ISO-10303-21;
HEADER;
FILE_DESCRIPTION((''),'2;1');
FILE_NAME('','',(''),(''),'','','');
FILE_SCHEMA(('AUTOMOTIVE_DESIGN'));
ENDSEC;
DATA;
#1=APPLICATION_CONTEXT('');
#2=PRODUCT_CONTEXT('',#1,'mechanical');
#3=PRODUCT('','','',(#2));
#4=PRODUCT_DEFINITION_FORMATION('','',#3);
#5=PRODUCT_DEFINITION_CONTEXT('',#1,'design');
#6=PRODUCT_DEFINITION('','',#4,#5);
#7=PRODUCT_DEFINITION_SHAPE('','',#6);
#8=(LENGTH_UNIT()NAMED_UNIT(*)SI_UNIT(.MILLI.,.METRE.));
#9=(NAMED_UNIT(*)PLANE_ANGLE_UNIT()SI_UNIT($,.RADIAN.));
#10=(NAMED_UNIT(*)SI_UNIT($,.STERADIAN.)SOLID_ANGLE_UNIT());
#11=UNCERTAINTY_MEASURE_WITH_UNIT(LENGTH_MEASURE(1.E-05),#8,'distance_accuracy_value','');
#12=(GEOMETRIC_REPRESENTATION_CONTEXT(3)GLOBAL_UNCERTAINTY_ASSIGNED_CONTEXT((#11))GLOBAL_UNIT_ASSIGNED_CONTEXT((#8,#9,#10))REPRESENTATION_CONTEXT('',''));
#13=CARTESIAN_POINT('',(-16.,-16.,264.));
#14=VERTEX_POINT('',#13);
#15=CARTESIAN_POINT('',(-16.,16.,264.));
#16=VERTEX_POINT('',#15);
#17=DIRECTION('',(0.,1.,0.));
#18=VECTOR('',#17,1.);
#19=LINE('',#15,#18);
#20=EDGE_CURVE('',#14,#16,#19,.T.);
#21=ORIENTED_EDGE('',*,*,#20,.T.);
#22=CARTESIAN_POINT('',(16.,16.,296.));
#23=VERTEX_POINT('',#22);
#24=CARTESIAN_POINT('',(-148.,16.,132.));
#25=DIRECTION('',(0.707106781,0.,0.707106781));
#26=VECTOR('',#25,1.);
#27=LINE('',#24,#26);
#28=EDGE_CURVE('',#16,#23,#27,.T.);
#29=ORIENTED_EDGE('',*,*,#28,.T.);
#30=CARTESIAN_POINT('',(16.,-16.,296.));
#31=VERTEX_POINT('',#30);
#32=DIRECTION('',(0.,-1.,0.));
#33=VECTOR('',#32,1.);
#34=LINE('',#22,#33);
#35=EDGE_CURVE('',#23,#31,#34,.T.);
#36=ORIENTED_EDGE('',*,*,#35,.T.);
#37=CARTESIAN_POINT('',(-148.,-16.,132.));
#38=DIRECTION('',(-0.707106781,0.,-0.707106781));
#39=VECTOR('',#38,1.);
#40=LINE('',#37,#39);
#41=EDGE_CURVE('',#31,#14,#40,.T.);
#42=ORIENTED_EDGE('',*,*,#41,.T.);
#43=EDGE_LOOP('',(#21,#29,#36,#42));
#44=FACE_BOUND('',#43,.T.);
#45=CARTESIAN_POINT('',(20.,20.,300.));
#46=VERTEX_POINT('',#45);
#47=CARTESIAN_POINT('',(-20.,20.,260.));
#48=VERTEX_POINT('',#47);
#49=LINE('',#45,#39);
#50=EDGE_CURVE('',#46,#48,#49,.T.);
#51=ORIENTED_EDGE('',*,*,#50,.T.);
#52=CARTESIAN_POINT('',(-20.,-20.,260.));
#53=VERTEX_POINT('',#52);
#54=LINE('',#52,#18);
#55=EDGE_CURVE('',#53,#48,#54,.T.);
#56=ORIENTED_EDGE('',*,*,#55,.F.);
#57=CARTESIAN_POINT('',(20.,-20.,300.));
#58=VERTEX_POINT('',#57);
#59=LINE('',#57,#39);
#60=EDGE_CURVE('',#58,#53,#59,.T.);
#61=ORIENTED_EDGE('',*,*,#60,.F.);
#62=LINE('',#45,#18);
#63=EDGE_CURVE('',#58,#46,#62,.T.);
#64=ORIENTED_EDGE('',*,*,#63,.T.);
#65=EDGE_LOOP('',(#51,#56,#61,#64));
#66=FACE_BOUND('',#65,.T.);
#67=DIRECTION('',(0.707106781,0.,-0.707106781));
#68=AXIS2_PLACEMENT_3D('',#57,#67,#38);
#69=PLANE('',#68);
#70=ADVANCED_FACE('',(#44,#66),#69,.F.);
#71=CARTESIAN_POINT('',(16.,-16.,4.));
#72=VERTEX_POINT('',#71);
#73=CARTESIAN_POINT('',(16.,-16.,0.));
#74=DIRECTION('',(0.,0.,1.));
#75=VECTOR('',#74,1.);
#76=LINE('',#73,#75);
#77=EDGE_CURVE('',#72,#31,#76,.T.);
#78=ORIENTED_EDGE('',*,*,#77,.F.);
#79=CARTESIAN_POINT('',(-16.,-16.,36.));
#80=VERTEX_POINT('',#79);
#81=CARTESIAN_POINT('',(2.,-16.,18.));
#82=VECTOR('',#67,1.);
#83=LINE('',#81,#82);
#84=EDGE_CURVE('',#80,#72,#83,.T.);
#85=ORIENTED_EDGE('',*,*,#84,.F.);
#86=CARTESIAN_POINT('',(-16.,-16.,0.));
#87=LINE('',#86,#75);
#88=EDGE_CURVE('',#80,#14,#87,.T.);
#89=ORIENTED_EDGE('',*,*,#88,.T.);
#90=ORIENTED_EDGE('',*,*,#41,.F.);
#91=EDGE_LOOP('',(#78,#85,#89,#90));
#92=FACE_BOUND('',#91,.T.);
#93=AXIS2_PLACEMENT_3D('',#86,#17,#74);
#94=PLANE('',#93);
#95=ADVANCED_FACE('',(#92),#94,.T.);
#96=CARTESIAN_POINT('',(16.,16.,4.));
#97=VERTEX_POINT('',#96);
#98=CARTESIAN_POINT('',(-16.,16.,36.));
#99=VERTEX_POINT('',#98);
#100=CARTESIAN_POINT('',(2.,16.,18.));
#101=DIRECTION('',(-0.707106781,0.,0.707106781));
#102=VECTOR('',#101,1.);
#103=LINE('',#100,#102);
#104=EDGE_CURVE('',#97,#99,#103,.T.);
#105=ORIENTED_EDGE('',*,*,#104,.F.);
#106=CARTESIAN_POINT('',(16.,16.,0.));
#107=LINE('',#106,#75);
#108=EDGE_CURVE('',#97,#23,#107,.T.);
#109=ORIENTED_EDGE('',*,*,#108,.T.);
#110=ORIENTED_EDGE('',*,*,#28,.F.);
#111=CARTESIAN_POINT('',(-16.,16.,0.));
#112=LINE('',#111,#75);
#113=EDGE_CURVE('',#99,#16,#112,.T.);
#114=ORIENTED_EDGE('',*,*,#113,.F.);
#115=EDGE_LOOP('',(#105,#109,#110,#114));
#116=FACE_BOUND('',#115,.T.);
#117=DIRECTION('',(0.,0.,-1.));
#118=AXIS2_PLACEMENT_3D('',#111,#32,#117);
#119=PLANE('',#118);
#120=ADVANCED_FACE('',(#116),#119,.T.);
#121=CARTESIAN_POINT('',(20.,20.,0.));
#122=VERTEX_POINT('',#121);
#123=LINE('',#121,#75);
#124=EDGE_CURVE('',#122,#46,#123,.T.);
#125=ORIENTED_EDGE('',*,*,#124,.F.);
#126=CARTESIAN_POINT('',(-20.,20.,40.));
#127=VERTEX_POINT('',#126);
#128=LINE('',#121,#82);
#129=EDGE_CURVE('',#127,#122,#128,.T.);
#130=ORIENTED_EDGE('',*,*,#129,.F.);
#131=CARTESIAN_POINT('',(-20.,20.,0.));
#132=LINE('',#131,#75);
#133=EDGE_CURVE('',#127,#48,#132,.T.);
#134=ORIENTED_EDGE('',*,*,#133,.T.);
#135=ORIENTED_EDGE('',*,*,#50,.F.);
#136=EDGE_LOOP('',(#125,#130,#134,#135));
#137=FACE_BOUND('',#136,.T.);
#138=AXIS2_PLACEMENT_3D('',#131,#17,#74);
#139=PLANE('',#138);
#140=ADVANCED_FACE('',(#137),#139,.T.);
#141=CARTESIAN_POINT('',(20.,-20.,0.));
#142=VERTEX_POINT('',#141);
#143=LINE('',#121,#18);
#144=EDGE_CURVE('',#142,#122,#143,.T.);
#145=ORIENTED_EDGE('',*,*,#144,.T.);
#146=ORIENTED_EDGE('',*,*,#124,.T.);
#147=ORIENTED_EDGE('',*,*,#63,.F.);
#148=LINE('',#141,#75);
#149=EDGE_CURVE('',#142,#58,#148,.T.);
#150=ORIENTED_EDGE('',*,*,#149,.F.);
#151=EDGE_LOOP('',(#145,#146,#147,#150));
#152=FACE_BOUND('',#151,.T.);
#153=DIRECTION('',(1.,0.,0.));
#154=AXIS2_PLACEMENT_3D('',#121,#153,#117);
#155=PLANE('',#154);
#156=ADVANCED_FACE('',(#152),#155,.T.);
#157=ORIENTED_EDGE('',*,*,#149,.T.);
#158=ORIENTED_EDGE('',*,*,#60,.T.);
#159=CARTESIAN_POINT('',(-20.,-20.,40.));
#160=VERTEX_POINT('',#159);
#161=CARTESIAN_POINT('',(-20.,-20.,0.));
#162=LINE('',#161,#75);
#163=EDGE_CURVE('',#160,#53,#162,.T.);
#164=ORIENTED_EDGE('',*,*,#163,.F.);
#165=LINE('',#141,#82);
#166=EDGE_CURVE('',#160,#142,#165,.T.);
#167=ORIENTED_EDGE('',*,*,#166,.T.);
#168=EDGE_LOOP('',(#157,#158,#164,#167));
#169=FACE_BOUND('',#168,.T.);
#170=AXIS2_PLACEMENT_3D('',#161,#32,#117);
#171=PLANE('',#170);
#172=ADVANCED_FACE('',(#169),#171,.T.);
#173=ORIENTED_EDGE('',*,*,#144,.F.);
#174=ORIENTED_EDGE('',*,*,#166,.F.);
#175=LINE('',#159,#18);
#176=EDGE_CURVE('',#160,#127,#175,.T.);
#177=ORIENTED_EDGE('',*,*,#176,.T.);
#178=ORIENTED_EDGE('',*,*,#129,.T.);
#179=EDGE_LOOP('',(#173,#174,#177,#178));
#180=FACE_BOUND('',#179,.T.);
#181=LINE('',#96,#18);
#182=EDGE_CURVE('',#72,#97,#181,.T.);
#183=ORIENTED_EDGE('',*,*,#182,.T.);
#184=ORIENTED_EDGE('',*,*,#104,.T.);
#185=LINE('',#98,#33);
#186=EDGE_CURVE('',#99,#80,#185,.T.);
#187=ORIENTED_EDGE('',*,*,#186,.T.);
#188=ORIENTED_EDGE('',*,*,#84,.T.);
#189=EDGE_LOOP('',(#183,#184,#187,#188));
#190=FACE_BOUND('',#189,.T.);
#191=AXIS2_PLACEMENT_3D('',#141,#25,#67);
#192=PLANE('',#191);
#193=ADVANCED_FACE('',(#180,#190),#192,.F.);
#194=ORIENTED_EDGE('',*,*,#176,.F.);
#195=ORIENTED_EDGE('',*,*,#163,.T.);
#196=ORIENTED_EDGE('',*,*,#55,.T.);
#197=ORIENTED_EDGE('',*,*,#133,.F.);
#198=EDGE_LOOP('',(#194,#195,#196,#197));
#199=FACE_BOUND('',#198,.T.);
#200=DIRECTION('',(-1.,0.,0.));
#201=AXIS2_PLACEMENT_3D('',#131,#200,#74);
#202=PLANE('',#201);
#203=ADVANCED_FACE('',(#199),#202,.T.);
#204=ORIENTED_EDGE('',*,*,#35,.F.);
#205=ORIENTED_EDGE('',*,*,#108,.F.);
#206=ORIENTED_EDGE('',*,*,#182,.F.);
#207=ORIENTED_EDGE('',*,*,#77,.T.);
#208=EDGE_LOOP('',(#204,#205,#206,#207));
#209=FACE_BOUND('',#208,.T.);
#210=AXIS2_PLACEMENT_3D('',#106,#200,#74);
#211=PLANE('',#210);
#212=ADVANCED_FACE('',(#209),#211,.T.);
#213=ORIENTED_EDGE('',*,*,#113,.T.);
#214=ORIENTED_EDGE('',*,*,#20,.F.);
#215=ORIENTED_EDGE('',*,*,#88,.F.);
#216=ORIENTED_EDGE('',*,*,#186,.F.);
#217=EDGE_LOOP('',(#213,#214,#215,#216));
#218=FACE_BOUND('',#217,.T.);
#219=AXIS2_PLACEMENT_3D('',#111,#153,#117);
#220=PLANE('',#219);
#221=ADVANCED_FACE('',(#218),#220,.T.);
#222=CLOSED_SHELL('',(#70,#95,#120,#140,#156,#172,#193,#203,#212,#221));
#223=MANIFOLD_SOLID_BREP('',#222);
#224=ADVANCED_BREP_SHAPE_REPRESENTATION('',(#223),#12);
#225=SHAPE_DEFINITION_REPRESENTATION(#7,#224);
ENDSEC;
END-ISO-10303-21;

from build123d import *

# Parameters (mm, degrees)
SKETCH1_W          = 40
SKETCH1_H          = 40
SKETCH1_W_2        = 32
SKETCH1_H_2        = 32
CUT_EXTRUDE1_DEPTH = 41.0000001


with BuildPart() as part:
    # Sweep1: sweep along a curve in space
    with BuildLine() as sweep1_path:
        add(Edge.make_bspline(
            [(0, 0, 0), (0, 0, 300)],
            knots=[0, 0, 1, 1], degree=1))
    # Sketch1 → Sweep1 (sweep)
    with BuildSketch(Plane.XY):
        Rectangle(SKETCH1_W, SKETCH1_H)
        Rectangle(SKETCH1_W_2, SKETCH1_H_2, mode=Mode.SUBTRACT)
    sweep(path=sweep1_path.line)

    # Sketch2 → Cut-Extrude1 (cut, through all)
    with BuildSketch(Plane(origin=(0, 20, 0), x_dir=(1, 0, 0), z_dir=(0, 1, 0))):
        Polygon((20, 0), (-20, -40), (-20, 0), align=None)
        Polygon((20, -300), (-20, -260), (-20, -300), align=None)
    extrude(amount=-CUT_EXTRUDE1_DEPTH, mode=Mode.SUBTRACT)


solid = part.part
